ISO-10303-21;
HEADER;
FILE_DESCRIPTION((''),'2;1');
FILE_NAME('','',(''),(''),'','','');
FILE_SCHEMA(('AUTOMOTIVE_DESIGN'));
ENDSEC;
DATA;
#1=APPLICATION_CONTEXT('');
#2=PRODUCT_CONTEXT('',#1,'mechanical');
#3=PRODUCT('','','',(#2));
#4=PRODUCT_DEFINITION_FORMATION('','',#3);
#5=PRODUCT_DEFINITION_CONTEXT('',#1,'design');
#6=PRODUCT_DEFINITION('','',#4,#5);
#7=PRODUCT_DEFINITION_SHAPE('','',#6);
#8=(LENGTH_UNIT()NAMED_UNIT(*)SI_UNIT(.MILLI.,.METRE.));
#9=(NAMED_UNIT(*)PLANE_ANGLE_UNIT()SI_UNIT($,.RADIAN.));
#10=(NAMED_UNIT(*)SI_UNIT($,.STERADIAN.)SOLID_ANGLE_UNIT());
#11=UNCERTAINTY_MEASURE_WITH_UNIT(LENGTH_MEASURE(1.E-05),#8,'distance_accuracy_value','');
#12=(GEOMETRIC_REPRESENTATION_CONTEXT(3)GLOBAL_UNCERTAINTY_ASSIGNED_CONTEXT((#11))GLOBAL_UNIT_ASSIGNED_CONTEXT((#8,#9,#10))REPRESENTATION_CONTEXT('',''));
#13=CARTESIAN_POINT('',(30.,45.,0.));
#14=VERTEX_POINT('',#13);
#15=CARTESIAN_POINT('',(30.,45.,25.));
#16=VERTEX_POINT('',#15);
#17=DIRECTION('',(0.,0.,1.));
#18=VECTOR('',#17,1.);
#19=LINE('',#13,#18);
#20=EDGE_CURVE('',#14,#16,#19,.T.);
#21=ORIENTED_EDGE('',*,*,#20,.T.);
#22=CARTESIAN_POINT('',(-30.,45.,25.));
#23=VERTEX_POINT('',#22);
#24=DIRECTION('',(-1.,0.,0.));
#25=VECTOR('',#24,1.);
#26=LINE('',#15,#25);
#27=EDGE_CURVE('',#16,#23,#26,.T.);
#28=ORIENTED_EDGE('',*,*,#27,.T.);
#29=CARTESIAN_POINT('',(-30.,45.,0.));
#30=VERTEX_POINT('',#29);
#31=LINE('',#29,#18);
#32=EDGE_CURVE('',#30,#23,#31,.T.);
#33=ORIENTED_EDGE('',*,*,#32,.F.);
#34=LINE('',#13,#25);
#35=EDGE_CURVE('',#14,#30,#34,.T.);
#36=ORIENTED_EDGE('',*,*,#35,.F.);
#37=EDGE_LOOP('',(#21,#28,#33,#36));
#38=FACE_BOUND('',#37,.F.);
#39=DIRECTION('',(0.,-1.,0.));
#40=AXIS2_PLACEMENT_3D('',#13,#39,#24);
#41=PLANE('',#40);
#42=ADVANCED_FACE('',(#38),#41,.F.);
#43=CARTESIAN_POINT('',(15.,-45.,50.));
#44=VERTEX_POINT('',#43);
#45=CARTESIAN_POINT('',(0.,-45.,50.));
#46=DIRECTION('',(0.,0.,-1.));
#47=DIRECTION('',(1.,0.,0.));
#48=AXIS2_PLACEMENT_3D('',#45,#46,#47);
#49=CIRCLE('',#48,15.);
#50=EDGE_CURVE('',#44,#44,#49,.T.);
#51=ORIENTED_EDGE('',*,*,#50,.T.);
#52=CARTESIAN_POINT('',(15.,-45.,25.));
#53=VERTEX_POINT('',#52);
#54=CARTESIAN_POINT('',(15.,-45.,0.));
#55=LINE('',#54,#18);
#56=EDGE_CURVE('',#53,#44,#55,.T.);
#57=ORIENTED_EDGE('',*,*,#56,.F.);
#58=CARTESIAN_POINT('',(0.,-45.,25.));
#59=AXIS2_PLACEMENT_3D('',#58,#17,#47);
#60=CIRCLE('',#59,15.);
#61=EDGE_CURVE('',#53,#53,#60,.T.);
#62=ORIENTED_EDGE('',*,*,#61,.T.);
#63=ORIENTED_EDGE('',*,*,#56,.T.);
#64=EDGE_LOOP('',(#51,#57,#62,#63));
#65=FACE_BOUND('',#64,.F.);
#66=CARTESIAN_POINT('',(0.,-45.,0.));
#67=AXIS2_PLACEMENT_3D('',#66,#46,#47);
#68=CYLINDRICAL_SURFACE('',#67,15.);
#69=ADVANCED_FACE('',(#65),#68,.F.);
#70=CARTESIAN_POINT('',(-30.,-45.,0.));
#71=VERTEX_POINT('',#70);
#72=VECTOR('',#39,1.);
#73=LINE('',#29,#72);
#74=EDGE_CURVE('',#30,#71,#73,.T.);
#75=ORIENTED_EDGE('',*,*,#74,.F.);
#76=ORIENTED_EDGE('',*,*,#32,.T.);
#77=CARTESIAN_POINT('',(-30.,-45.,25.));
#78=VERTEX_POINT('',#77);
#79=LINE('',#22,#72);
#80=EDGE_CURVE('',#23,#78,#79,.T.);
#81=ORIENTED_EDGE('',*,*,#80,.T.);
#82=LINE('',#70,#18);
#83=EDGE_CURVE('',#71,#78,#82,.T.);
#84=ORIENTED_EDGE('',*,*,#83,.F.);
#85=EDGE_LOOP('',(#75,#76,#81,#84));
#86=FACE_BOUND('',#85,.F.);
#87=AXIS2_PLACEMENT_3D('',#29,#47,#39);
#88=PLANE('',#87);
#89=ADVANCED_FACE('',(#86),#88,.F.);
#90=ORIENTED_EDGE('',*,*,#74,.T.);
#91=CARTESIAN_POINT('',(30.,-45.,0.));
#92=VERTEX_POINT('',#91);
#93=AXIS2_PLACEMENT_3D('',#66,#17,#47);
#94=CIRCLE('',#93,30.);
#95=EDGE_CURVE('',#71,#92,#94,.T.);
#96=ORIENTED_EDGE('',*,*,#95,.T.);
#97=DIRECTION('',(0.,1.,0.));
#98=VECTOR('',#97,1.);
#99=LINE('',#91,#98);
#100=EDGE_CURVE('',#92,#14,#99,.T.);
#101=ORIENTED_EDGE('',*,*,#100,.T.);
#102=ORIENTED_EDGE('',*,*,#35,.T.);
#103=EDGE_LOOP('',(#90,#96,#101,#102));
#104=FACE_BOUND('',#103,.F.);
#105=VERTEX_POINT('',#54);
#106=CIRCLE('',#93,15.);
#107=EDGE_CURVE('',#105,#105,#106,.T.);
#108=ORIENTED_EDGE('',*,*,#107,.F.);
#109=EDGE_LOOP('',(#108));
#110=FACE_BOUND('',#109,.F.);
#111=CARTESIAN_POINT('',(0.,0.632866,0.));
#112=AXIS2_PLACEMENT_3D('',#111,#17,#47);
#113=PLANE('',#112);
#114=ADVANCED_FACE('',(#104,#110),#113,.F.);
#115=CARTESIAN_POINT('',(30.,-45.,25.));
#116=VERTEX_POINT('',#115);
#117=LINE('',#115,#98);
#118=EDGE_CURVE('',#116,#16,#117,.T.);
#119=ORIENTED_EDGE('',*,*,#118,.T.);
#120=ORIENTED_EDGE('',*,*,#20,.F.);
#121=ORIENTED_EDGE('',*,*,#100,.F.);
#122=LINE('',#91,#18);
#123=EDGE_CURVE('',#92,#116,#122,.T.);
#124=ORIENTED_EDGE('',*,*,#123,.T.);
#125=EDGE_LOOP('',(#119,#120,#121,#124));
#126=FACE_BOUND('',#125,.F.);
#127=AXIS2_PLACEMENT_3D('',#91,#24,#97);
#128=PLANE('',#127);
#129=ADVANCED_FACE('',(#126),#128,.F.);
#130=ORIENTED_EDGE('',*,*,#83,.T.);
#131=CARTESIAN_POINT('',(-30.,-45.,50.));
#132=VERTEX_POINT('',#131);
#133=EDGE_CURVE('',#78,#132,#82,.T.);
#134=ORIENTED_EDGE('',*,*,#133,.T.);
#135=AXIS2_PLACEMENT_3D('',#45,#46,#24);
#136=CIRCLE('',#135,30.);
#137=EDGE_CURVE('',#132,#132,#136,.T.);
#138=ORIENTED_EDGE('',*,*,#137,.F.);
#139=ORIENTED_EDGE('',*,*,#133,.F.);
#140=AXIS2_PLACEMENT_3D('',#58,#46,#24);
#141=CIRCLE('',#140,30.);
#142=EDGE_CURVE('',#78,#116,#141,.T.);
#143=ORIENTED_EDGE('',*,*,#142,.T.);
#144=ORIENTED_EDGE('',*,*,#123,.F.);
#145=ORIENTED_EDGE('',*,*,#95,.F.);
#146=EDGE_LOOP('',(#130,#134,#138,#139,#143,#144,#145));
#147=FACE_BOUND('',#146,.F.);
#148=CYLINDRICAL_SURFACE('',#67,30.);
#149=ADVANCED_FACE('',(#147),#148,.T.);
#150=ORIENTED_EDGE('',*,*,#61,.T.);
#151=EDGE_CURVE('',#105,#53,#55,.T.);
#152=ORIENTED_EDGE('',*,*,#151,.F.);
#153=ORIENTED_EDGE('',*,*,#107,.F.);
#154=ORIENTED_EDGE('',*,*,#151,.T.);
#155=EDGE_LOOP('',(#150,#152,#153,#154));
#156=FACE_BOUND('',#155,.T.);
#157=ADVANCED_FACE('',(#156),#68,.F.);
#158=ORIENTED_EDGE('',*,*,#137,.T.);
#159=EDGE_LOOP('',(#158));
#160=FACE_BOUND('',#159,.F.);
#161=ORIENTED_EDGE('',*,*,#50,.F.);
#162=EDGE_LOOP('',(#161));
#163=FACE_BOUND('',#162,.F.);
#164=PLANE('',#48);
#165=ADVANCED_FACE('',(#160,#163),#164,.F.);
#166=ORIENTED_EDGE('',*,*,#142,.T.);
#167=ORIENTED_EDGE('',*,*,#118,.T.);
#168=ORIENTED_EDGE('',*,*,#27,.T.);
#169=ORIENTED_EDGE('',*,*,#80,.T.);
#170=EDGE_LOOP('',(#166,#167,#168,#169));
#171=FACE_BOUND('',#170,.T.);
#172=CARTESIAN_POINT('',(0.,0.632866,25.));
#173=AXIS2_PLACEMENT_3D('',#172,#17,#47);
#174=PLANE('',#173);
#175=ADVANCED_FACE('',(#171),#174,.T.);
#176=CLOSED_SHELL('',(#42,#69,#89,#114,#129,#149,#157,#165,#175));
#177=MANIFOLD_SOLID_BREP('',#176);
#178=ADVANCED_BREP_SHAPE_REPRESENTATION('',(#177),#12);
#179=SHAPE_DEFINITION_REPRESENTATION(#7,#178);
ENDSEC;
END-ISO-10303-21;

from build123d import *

# Parameters (mm, degrees)
F0_R     = 15
F1_DEPTH = 25
F2_R     = 15
F3_DEPTH = 50


with BuildPart() as f1:
    # F0 (on Top) → F1 (new body)
    with BuildSketch(Plane.XY):
        with BuildLine():
            Line((30, -45), (30, 45))
            Line((30, 45), (-30, 45))
            Line((-30, 45), (-30, -45))
            ThreePointArc((-30, -45), (0, -15), (30, -45))
        make_face()
        with BuildLine():
            ThreePointArc((-30, -45), (0, -75), (30, -45))
            ThreePointArc((30, -45), (0, -15), (-30, -45))
        make_face()
        with Locations((0, -45)):
            Circle(F0_R, mode=Mode.SUBTRACT)
    extrude(amount=F1_DEPTH)

    # F2 (on face) → F3 (join)
    with BuildSketch(Plane(origin=(0, 0, 0), x_dir=(1, 0, 0), z_dir=(0, 0, -1))):
        with BuildLine():
            ThreePointArc((30, 45), (0, 75), (-30, 45))
            ThreePointArc((-30, 45), (0, 15), (30, 45))
        make_face()
        with Locations((0, 45)):
            Circle(F2_R, mode=Mode.SUBTRACT)
    extrude(amount=-F3_DEPTH)


solid = f1.part
